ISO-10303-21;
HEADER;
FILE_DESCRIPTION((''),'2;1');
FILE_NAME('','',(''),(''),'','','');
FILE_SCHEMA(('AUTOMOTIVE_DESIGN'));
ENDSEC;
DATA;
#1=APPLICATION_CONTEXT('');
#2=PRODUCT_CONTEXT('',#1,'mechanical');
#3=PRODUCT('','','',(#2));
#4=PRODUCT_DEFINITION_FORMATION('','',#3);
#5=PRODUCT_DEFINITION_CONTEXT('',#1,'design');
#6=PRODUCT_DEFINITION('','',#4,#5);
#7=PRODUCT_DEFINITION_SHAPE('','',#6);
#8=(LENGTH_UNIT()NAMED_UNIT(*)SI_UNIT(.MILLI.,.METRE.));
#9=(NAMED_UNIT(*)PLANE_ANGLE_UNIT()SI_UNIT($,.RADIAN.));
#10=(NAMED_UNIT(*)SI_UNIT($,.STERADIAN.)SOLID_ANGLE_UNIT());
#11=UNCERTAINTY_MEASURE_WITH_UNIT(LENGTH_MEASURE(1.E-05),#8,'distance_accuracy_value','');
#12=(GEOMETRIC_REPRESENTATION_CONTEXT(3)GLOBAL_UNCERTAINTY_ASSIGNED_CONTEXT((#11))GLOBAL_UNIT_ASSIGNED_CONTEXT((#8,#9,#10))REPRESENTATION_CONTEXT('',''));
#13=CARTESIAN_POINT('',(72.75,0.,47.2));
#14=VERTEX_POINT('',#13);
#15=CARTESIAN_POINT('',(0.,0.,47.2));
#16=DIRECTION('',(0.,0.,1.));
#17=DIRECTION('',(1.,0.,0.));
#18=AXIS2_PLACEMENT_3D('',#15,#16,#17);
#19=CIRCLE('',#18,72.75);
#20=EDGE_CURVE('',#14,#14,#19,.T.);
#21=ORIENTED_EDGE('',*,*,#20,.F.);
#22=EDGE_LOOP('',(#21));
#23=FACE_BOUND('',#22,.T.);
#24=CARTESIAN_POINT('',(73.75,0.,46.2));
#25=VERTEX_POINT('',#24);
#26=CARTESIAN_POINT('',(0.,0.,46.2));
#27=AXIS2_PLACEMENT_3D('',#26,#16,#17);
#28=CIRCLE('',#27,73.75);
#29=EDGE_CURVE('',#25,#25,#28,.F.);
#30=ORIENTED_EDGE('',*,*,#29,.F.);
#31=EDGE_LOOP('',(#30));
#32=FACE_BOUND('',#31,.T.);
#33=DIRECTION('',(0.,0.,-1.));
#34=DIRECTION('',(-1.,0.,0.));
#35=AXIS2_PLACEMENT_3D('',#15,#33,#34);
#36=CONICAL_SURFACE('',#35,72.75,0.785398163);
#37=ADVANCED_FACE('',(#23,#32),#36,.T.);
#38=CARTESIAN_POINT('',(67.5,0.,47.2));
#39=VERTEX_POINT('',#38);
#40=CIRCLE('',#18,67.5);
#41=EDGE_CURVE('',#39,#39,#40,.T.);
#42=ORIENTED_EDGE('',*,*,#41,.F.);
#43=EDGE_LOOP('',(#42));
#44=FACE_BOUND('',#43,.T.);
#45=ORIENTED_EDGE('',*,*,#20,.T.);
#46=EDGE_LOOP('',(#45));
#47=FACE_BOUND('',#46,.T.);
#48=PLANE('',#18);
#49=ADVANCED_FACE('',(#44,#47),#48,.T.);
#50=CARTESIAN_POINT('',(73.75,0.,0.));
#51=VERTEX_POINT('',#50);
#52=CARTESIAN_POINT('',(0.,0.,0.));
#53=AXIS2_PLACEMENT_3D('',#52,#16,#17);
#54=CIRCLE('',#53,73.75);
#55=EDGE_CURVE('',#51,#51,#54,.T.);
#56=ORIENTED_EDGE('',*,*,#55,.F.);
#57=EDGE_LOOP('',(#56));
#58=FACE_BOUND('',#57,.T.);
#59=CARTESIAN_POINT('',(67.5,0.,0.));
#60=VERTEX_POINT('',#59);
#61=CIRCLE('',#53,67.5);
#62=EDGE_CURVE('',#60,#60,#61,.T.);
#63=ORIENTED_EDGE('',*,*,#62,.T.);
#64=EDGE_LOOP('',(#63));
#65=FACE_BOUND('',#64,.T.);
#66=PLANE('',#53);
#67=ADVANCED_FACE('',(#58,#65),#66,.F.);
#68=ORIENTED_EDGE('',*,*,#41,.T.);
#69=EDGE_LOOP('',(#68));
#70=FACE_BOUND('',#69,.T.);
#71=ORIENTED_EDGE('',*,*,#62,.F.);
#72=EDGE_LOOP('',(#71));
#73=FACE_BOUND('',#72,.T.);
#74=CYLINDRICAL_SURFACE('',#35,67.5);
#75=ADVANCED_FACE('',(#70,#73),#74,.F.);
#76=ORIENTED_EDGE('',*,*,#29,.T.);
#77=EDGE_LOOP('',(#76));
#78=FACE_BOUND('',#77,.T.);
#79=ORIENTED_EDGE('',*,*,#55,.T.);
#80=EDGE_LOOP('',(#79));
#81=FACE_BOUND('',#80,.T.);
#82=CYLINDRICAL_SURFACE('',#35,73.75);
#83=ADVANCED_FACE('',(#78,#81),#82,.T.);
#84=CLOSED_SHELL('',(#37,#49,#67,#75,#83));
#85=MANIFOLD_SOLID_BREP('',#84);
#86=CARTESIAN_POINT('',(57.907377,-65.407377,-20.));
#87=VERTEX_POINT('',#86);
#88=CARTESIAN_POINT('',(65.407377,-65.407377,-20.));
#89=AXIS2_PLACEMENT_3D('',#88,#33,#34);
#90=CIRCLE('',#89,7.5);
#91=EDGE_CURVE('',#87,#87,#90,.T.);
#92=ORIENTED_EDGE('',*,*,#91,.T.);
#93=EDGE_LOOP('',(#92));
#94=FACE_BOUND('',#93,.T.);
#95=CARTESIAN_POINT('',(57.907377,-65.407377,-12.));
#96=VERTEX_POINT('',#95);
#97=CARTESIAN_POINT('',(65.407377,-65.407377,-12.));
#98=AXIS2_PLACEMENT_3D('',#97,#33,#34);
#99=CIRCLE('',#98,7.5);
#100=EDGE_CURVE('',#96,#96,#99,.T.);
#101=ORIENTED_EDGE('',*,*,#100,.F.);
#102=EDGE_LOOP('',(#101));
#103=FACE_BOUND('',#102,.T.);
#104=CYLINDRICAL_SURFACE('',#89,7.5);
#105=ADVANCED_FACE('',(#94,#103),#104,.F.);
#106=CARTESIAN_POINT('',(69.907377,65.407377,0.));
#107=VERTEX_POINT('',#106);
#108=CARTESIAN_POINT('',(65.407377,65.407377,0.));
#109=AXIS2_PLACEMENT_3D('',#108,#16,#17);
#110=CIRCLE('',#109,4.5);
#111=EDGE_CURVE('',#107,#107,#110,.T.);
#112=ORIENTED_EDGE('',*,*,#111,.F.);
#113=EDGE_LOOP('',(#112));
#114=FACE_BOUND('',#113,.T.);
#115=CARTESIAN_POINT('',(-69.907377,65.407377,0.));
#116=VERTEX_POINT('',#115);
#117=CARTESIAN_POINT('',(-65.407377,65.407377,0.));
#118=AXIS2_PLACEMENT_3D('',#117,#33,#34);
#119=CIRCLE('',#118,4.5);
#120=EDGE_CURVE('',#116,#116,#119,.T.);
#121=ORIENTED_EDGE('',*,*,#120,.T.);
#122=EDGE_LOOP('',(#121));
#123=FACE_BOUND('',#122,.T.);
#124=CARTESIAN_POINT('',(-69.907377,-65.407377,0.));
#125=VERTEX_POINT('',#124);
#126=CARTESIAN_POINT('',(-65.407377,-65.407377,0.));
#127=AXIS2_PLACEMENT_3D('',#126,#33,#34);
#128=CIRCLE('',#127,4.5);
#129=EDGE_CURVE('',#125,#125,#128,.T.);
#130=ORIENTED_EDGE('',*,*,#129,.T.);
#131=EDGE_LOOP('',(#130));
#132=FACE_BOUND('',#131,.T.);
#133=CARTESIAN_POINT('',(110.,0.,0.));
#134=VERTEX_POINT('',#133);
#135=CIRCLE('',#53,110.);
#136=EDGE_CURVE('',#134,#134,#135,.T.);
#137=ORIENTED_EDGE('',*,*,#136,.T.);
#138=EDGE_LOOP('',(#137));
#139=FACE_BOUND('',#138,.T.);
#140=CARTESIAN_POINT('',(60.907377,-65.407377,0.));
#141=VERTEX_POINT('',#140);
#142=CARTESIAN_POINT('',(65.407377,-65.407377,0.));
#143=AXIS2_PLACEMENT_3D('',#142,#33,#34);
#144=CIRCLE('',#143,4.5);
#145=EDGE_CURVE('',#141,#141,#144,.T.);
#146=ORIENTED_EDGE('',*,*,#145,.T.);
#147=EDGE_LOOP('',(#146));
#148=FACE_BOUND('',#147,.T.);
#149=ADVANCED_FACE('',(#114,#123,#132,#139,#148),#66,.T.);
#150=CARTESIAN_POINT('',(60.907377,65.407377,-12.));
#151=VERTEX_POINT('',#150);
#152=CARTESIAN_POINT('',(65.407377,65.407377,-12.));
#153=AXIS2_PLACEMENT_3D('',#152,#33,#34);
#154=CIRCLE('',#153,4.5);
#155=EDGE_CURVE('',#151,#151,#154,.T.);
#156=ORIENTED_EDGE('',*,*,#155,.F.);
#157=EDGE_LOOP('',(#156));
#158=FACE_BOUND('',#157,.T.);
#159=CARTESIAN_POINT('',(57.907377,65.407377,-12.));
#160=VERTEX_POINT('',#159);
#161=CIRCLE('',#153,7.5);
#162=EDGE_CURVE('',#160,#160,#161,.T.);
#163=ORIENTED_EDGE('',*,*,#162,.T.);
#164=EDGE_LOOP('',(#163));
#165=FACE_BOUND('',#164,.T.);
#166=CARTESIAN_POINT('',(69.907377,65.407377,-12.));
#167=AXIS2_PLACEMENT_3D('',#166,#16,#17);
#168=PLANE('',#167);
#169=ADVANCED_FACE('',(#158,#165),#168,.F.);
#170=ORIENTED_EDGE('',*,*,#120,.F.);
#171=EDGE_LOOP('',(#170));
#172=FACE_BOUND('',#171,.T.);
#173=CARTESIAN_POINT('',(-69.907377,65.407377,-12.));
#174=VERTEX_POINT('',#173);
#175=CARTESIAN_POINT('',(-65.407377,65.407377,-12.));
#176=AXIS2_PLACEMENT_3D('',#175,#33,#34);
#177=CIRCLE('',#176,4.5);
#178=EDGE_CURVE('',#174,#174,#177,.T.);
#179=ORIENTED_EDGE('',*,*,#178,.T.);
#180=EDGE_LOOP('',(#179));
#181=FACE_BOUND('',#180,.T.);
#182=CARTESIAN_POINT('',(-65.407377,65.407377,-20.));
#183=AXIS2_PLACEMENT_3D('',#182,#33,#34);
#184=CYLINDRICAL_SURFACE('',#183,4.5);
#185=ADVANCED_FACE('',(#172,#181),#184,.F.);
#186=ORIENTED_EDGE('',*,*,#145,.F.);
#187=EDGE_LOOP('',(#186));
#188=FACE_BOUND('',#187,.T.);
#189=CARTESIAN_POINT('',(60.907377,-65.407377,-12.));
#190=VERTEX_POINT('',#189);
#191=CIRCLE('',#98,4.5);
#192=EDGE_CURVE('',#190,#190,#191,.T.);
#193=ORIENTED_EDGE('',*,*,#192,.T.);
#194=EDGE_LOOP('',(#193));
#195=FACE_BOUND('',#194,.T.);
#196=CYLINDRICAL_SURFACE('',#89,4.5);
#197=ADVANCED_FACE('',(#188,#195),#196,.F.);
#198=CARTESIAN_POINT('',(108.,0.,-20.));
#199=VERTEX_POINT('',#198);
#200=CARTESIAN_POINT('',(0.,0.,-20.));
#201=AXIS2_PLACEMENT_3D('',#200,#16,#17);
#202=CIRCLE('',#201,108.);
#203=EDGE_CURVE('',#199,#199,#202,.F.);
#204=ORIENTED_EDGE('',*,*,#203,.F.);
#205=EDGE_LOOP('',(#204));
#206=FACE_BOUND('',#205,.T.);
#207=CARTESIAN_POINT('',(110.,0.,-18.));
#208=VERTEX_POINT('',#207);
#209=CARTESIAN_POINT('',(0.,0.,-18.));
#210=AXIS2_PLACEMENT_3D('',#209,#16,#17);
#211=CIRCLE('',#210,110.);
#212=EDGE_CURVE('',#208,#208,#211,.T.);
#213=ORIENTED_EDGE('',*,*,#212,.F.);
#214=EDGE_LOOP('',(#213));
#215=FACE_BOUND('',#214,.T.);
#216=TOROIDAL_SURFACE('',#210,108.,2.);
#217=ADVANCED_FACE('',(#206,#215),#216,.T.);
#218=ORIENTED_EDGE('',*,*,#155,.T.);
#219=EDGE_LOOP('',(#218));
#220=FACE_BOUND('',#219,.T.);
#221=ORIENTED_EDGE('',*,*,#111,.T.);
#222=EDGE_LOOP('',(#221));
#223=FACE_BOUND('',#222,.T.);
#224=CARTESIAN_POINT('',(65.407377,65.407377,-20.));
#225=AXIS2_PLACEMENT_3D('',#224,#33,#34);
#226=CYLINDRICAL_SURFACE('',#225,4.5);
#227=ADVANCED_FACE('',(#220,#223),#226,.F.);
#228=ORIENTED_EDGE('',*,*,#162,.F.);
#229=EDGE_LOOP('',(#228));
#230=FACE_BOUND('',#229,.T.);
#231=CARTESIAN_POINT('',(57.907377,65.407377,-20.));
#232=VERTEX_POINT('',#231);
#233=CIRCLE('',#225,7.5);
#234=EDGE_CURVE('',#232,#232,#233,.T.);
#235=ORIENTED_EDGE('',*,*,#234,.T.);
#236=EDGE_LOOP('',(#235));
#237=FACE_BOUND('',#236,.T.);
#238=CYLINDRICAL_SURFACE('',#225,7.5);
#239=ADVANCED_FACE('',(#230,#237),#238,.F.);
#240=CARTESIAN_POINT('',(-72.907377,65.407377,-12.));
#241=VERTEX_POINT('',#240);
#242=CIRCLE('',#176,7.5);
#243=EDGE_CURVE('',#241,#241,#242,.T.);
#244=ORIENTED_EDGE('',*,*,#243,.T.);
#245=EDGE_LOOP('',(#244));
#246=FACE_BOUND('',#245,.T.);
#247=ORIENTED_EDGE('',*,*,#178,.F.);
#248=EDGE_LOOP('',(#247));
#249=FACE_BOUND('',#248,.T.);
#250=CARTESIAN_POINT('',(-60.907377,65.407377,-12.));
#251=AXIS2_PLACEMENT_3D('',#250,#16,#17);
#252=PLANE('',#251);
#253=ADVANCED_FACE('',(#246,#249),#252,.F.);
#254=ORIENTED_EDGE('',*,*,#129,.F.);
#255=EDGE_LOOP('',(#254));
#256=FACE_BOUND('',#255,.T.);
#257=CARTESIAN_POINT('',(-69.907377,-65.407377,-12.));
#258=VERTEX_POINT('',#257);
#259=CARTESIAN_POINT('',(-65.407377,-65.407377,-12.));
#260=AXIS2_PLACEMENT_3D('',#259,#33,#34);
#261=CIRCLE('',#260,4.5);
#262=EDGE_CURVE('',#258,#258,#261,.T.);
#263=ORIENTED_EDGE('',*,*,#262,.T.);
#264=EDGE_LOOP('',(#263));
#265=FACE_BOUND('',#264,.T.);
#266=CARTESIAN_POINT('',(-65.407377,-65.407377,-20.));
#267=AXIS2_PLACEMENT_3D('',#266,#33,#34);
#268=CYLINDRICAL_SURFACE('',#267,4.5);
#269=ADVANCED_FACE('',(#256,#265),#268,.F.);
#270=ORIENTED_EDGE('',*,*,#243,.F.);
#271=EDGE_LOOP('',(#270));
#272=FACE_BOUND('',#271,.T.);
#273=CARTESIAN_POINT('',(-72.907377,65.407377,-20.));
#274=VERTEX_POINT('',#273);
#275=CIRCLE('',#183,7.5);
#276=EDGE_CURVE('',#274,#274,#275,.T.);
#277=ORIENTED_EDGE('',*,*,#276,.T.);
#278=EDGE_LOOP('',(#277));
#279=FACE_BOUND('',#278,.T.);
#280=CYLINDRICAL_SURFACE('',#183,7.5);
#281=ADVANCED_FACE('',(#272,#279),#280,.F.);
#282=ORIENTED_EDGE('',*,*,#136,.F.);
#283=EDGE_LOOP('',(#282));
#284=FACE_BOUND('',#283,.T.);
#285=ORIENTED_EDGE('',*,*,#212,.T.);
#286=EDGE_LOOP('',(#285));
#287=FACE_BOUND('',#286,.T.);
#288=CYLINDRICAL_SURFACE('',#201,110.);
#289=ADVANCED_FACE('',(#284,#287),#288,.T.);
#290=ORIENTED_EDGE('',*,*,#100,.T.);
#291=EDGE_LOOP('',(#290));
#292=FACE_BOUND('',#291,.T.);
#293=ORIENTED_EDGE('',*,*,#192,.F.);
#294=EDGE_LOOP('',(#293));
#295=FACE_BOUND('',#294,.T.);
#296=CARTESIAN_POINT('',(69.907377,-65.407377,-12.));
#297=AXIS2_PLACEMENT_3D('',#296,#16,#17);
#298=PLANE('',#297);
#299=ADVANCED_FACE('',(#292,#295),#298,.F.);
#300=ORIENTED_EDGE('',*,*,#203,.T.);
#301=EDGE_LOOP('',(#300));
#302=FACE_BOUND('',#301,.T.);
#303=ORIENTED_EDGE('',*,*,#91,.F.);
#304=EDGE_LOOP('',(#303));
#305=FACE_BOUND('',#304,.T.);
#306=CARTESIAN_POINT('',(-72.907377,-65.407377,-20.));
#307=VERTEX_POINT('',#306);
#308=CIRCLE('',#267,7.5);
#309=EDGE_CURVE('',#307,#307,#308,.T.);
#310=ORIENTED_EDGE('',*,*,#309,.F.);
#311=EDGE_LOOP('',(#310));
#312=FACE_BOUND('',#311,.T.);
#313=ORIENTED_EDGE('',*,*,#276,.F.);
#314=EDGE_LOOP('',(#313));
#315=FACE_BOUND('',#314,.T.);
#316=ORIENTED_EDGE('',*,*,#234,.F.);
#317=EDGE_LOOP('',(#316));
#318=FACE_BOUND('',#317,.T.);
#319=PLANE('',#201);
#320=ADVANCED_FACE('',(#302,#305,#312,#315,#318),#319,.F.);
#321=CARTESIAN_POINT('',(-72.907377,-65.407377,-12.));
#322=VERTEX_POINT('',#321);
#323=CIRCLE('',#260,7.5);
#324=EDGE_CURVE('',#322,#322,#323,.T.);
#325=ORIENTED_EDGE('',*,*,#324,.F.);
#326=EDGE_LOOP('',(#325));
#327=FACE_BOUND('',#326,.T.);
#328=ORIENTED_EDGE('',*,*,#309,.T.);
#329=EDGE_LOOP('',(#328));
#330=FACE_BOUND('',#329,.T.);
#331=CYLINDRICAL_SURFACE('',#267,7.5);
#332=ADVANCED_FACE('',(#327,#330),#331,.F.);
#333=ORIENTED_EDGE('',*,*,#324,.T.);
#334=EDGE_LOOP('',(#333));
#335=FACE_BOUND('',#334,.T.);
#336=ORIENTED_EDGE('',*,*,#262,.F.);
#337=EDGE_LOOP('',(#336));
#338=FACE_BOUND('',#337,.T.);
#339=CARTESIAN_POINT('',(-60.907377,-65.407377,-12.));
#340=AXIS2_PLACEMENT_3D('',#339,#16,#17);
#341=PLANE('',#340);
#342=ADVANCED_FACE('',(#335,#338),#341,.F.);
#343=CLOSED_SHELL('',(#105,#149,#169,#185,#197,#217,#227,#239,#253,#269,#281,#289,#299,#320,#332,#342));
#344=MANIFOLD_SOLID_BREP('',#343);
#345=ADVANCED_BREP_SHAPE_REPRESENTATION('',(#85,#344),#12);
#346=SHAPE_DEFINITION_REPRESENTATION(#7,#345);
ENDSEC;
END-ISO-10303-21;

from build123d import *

# Parameters (mm, degrees)
SCHIZZO1_R                   = 110
ESTRUSIONE_ESTRUSIONE1_DEPTH = 20
SCHIZZO2_R                   = 73.75
SCHIZZO2_R_2                 = 67.5
ESTRUSIONE_ESTRUSIONE2_DEPTH = 47.2
RIPETIZIONECIRCOLARE2_COUNT  = 4
RACCORDO1_R                  = 2
SMUSSO1_SIZE                 = 1


with BuildPart() as part:
    # Schizzo1 → Estrusione-Estrusione1 (new body)
    with BuildSketch(Plane.XY):
        Circle(SCHIZZO1_R)
    extrude(amount=-ESTRUSIONE_ESTRUSIONE1_DEPTH)

    # Schizzo7 → Foro lamato per Vite M8 a testa cilindrica piana-1 (revolve, cut)
    with BuildSketch(Plane(origin=(65.40737726, 65.40737726, -20), x_dir=(0, 1, 0), z_dir=(1, 0, 0))):
        Polygon((0, 0), (0, 20), (4.5, 20), (4.5, 8), (7.5, 8), (7.5, 0), align=None)
    foro_lamato_per_vite_m8_a_testa_cilindri = revolve(axis=Axis((65.40737726, 65.40737726, -26.35), (0, 0, 1)), mode=Mode.SUBTRACT)

    # RipetizioneCircolare2: Foro lamato per Vite M8 a testa cilindrica piana-1 ×4 about axis
    ripetizionecircolare2_axis = Axis((0, 0, 0), (0, 0, 1))
    for i in range(1, RIPETIZIONECIRCOLARE2_COUNT):
        add(foro_lamato_per_vite_m8_a_testa_cilindri.rotate(ripetizionecircolare2_axis, i * 360 / RIPETIZIONECIRCOLARE2_COUNT), mode=Mode.SUBTRACT)

    # Raccordo1
    raccordo1_edges = [part.edges().sort_by_distance(p)[0] for p in [
        (-110, 0, -20),
    ]]
    fillet(raccordo1_edges, radius=RACCORDO1_R)


with BuildPart() as body_2:
    # Schizzo2 → Estrusione-Estrusione2 (new body)
    with BuildSketch(Plane.XY):
        Circle(SCHIZZO2_R)
        Circle(SCHIZZO2_R_2, mode=Mode.SUBTRACT)
    extrude(amount=ESTRUSIONE_ESTRUSIONE2_DEPTH)

    # Smusso1
    smusso1_edges = [body_2.edges().sort_by_distance(p)[0] for p in [
        (-73.75, 0, 47.2),
    ]]
    chamfer(smusso1_edges, length=SMUSSO1_SIZE)


solid = Compound([part.part, body_2.part])
